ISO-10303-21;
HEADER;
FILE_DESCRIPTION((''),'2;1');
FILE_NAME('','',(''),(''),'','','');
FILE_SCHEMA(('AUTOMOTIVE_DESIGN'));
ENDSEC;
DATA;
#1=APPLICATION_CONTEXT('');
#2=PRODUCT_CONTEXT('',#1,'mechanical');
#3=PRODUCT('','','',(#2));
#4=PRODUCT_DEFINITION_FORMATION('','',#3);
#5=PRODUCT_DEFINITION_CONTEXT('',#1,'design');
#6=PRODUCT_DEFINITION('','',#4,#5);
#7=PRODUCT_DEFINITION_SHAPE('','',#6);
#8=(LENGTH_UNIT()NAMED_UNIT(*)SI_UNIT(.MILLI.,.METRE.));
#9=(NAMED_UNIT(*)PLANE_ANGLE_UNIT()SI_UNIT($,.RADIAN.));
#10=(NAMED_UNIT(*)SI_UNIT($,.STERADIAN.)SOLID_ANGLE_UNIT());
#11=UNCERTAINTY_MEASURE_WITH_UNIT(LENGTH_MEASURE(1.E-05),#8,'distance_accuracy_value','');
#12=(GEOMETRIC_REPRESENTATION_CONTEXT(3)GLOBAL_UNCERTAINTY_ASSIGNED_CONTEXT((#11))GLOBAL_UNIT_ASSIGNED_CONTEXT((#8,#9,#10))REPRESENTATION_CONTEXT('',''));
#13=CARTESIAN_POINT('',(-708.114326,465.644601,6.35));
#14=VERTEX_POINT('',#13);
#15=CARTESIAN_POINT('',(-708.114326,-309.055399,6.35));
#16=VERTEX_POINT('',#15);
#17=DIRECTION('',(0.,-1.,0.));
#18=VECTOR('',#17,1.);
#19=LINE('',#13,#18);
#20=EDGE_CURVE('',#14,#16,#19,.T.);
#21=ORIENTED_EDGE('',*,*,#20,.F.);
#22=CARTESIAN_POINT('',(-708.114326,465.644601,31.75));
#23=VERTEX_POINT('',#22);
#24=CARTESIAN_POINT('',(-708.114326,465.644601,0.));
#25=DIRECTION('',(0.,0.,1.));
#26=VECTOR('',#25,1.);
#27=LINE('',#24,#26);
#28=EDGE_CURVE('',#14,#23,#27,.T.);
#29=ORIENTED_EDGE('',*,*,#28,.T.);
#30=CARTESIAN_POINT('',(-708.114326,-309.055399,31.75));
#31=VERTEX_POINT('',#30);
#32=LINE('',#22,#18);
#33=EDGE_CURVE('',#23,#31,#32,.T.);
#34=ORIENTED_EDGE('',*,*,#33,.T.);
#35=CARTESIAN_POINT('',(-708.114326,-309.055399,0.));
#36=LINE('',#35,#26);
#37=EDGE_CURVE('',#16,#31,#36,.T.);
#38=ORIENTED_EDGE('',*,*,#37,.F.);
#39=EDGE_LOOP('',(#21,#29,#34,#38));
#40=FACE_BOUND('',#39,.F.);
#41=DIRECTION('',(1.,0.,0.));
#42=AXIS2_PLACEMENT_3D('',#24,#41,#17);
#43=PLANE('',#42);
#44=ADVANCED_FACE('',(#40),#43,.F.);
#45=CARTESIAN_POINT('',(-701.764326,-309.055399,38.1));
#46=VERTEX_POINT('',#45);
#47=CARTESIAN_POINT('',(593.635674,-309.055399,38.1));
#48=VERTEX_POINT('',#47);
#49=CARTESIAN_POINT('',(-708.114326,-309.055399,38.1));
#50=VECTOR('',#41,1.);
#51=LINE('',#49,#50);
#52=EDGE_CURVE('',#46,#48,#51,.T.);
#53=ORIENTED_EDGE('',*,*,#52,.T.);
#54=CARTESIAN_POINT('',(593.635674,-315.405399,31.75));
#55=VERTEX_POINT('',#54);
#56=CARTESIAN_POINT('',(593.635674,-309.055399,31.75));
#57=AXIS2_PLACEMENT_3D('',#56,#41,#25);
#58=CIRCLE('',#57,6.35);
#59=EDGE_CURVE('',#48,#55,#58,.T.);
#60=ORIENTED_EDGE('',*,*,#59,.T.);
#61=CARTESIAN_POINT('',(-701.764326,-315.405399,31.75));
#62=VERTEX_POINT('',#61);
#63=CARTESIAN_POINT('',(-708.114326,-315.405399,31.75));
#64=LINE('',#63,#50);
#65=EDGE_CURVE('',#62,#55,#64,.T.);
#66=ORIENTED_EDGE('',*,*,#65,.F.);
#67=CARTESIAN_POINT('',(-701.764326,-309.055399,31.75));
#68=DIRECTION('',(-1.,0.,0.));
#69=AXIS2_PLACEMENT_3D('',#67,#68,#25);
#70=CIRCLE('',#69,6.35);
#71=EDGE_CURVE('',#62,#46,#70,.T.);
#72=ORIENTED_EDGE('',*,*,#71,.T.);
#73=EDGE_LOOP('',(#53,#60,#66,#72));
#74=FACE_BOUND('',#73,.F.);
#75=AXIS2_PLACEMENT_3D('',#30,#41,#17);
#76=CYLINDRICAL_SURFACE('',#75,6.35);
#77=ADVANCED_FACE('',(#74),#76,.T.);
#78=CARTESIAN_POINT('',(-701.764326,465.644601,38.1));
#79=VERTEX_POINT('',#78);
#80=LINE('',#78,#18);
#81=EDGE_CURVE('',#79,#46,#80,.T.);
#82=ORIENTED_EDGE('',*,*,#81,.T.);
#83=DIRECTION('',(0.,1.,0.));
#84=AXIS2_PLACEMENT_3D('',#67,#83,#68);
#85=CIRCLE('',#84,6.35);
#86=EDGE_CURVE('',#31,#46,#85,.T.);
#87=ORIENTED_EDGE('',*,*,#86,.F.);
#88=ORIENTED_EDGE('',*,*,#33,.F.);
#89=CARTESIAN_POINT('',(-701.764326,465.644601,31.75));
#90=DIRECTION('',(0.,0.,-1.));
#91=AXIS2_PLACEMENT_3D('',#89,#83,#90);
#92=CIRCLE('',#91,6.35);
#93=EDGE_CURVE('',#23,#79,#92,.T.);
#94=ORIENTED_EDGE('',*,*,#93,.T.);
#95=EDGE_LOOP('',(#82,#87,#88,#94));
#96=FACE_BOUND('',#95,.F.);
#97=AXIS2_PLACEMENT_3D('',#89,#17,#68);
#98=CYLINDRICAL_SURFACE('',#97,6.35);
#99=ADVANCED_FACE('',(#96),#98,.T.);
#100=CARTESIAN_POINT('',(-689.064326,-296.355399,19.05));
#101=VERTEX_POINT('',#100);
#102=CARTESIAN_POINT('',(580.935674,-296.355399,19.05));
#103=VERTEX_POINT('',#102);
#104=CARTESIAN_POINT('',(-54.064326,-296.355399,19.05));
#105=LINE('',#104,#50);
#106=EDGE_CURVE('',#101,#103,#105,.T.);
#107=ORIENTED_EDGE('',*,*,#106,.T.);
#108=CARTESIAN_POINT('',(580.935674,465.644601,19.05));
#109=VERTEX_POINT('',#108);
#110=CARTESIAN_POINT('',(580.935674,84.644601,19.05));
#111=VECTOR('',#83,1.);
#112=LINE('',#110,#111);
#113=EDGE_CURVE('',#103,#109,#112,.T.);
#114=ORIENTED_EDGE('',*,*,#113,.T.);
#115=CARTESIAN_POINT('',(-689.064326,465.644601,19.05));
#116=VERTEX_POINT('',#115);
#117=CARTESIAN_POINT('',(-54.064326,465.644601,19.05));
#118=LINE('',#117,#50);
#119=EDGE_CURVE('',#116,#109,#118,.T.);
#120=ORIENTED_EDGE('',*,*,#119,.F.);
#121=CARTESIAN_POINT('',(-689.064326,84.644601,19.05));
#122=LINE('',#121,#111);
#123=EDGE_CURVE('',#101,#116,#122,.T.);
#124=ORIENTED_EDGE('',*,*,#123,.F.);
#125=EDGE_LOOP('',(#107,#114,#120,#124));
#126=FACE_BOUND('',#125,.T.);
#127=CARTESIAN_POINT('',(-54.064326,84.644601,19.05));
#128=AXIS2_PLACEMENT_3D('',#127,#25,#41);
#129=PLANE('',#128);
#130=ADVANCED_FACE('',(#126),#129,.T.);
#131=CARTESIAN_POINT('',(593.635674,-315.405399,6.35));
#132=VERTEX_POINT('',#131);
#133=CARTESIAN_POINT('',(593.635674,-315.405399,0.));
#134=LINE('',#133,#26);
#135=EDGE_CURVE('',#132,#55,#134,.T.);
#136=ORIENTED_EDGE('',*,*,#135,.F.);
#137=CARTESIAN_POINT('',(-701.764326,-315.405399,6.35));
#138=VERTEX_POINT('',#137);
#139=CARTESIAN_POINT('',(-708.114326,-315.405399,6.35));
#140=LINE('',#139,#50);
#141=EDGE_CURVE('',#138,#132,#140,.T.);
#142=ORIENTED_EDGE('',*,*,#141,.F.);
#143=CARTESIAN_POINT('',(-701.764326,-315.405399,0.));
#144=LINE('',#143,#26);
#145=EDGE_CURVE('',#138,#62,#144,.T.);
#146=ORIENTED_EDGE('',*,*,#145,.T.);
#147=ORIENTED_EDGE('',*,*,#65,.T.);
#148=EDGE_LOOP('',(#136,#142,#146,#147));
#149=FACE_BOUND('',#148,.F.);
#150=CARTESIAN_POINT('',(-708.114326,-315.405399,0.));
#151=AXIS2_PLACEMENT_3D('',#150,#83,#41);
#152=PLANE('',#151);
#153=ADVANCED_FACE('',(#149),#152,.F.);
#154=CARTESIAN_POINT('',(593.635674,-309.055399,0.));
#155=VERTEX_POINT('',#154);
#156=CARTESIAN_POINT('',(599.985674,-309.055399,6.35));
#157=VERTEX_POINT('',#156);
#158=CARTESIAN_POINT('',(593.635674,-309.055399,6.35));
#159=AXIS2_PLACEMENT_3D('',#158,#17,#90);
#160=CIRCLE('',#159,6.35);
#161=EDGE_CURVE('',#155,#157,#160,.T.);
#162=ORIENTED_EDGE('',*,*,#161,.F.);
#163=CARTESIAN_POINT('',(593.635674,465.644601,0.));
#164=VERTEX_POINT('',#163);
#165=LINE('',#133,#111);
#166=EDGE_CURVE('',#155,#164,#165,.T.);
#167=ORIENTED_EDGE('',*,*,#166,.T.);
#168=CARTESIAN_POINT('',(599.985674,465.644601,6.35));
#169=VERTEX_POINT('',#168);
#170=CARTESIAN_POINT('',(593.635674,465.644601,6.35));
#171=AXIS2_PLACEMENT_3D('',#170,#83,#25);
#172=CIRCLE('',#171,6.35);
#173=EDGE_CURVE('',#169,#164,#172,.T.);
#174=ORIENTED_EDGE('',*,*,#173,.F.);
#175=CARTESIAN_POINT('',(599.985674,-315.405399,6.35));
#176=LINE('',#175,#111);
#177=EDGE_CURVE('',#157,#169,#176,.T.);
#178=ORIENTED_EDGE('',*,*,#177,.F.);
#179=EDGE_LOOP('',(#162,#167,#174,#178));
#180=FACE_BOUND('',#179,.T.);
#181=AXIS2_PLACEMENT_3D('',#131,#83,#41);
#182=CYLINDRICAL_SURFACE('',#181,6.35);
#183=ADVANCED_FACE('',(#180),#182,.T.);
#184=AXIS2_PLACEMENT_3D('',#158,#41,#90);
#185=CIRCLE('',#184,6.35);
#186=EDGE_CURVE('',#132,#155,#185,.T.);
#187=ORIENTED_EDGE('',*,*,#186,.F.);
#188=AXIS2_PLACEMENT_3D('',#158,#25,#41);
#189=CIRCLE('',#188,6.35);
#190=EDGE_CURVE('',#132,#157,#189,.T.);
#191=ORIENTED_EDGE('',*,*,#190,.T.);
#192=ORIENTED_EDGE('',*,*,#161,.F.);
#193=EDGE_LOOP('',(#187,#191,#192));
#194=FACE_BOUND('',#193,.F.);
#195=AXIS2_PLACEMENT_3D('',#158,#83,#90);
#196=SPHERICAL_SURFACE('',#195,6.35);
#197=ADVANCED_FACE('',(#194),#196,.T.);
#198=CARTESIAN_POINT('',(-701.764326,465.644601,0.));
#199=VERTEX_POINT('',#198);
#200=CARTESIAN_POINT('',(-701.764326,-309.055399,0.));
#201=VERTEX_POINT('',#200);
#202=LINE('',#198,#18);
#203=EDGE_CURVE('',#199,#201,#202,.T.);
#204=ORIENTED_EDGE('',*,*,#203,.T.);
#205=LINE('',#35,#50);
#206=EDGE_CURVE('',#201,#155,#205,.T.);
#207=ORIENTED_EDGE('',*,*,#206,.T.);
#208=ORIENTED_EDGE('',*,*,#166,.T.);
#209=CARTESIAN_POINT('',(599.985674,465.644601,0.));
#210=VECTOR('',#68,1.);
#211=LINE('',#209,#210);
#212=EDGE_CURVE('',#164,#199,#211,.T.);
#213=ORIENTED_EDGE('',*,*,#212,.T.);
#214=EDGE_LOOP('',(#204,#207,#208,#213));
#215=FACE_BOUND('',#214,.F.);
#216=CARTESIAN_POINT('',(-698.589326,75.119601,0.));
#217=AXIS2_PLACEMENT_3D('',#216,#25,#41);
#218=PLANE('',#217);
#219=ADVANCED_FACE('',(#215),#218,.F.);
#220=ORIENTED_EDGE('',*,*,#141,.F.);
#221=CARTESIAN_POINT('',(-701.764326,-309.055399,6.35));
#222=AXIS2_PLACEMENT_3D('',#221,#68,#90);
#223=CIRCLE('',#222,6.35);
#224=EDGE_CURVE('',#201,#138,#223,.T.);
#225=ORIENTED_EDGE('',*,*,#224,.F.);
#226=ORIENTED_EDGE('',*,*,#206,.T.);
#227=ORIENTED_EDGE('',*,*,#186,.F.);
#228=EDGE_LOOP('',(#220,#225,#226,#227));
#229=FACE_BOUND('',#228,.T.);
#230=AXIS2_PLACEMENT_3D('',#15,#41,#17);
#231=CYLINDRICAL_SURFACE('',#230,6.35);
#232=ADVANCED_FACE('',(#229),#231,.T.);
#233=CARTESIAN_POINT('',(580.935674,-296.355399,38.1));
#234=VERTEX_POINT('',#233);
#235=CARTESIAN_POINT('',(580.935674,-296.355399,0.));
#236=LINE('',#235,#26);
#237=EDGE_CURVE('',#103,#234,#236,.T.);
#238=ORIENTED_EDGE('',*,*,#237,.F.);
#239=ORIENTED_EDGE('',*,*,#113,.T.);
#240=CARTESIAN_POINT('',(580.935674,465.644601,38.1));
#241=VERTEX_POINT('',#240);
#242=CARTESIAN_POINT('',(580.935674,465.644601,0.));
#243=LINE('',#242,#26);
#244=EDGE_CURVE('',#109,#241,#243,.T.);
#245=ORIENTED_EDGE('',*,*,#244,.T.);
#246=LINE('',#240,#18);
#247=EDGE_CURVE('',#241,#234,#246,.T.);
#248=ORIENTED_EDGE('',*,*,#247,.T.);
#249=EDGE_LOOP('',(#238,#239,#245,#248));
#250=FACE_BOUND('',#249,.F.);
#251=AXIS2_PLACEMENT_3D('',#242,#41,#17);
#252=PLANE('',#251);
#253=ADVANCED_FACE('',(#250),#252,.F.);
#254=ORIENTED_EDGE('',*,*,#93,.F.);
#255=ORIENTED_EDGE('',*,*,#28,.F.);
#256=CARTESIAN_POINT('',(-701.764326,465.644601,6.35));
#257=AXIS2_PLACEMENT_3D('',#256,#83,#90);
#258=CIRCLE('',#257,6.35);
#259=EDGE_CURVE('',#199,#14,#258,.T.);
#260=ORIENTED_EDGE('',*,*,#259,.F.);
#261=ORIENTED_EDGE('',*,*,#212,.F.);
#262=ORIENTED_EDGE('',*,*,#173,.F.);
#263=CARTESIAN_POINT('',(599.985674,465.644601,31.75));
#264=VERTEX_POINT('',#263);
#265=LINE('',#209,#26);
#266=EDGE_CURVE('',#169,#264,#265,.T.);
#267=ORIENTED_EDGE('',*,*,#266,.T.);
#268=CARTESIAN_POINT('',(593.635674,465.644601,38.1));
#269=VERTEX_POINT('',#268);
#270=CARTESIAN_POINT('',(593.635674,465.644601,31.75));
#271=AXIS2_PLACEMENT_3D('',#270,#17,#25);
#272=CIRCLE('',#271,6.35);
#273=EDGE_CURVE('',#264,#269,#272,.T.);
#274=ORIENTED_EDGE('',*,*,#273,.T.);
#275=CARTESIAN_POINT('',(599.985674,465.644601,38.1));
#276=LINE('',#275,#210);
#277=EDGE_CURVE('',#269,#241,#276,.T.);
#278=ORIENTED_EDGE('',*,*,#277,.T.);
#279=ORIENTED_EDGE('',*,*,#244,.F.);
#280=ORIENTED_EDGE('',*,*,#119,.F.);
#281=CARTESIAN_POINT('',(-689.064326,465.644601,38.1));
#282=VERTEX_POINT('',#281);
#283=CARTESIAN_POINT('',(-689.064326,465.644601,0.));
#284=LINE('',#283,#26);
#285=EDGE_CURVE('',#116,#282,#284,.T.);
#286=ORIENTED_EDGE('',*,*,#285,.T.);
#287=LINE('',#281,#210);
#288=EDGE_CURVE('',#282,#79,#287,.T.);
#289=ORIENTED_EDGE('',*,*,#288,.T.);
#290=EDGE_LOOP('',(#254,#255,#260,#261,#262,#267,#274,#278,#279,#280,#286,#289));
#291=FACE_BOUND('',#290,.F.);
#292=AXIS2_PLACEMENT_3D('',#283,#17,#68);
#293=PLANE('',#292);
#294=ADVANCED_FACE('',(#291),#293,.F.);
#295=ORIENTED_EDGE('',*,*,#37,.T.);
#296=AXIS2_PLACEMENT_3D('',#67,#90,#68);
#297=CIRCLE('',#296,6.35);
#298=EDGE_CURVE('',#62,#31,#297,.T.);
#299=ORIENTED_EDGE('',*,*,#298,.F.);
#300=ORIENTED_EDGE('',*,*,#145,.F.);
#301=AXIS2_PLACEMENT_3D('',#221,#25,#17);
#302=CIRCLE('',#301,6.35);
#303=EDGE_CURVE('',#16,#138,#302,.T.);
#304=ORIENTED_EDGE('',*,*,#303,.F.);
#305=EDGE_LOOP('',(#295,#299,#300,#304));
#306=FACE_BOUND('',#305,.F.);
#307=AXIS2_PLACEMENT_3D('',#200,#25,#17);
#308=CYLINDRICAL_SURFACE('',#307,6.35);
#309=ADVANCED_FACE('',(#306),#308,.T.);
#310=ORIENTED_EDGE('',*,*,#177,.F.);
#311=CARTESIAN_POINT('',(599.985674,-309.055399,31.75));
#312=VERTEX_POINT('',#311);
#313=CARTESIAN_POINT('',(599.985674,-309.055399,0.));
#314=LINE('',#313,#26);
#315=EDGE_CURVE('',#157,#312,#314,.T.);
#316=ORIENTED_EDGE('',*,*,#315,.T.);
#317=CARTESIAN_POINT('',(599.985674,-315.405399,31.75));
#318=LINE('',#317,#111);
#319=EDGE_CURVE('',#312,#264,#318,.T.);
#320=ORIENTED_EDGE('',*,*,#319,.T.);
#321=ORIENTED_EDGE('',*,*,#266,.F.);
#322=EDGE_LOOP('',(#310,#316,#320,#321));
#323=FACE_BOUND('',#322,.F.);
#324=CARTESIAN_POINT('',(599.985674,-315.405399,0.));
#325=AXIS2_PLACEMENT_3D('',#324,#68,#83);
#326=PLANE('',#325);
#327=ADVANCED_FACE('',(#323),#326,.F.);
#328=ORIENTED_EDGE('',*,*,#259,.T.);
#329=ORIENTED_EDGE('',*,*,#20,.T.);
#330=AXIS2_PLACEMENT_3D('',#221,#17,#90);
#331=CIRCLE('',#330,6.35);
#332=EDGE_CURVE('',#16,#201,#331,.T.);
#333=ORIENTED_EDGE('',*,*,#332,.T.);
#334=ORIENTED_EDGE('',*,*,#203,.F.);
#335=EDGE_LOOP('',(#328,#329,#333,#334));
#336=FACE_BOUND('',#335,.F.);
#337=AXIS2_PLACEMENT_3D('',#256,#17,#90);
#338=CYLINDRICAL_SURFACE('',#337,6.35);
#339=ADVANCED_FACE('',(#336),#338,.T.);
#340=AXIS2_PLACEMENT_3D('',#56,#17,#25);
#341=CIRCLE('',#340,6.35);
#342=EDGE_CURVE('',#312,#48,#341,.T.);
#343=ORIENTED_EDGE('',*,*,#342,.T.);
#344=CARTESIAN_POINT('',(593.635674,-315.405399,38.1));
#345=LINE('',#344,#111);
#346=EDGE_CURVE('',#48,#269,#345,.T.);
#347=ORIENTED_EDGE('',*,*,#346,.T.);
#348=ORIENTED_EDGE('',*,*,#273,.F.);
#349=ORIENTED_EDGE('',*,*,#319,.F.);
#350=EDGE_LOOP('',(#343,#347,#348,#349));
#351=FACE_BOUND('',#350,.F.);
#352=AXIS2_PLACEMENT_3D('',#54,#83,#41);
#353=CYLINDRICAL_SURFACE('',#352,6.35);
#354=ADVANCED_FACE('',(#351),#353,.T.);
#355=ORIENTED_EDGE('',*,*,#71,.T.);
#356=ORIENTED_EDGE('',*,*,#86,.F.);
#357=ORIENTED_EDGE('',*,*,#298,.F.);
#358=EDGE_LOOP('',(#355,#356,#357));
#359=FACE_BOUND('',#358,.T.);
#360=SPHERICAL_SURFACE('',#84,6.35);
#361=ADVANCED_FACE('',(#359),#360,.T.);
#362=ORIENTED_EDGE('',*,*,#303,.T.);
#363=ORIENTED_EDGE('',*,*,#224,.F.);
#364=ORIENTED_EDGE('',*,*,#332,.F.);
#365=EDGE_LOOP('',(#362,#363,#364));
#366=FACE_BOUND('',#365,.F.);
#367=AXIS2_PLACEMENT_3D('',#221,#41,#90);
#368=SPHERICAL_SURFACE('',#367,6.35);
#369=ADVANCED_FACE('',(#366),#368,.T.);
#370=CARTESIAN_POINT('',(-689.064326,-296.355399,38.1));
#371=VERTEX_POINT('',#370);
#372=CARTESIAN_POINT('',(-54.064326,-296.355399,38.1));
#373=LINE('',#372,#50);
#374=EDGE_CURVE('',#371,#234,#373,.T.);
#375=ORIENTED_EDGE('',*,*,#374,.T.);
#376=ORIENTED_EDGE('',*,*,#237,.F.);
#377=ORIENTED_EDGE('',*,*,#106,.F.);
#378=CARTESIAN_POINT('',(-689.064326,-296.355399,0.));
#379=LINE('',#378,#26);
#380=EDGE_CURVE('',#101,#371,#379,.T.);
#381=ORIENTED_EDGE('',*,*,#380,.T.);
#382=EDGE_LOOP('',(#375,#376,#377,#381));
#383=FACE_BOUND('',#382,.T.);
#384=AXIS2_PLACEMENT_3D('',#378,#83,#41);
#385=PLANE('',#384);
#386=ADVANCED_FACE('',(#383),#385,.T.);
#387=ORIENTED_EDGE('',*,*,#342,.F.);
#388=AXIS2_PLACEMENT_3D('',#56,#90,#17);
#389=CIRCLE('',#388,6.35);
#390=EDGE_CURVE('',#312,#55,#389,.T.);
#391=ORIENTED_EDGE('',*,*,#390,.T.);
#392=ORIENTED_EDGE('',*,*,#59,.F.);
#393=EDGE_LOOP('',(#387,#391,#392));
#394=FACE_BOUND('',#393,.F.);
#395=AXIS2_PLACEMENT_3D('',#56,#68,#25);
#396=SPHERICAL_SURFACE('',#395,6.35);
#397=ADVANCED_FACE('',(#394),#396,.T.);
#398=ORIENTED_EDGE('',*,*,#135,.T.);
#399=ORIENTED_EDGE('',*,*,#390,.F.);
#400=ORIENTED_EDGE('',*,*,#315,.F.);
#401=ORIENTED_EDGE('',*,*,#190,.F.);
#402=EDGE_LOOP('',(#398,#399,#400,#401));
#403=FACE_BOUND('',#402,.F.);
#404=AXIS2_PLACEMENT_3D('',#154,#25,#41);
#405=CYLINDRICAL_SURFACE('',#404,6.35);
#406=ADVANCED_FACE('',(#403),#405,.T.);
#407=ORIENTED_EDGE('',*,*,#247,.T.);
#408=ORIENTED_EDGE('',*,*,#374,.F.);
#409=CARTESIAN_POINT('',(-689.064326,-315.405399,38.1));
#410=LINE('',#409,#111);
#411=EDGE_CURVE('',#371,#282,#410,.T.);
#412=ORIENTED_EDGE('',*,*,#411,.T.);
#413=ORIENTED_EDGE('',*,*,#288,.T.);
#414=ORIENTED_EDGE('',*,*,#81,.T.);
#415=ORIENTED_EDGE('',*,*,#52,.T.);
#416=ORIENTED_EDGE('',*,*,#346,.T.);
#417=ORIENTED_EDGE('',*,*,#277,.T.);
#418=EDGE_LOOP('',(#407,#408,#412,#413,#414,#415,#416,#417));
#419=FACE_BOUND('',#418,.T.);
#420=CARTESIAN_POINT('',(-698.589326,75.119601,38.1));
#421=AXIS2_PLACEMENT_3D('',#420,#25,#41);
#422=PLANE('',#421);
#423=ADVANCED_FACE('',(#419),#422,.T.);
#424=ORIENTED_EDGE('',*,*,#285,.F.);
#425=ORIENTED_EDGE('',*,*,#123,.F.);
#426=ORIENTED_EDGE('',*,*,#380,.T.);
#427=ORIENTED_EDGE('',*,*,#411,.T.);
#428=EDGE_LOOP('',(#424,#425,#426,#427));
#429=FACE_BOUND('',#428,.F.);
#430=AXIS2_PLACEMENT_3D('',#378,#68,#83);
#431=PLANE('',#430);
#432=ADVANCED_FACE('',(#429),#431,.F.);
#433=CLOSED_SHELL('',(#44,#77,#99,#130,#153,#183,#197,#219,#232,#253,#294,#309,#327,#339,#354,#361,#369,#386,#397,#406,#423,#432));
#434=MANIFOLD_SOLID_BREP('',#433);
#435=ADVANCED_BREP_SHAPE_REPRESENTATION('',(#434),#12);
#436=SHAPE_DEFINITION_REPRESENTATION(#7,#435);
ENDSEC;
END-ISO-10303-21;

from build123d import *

# Parameters (mm, degrees)
F0_W     = 1270
F0_H     = 762
F1_DEPTH = 19.05
F0_H_2   = 19.05
F2_DEPTH = 38.1
F3_R     = 6.35


with BuildPart() as f1:
    # F0 (on Top) → F1 (new body)
    with BuildSketch(Plane.XY):
        with Locations((-54.064326, 84.644601)):
            Rectangle(F0_W, F0_H)
    extrude(amount=F1_DEPTH)

    # F0 (on Top) → F2 (join)
    with BuildSketch(Plane.XY):
        Polygon((-689.064326, -296.355399), (-689.064326, 465.644601), (-708.114326, 465.644601), (-708.114326, -315.405399), (-689.064326, -315.405399), align=None)
        with Locations((-54.064326, -305.880399)):
            Rectangle(F0_W, F0_H_2)
        Polygon((599.985674, 465.644601), (580.935674, 465.644601), (580.935674, -296.355399), (580.935674, -315.405399), (599.985674, -315.405399), align=None)
    extrude(amount=F2_DEPTH)

    # F3
    f3_edges = [f1.edges().sort_by_distance(p)[0] for p in [
        (599.985674, 75.119601, 0),
        (-54.064326, -315.405399, 0),
        (-708.114326, 75.119601, 0),
        (-708.114326, 75.119601, 38.1),
        (-708.114326, -315.405399, 19.05),
        (-54.064326, -315.405399, 38.1),
        (599.985674, 75.119601, 38.1),
        (599.985674, -315.405399, 19.05),
    ]]
    fillet(f3_edges, radius=F3_R)


solid = f1.part
